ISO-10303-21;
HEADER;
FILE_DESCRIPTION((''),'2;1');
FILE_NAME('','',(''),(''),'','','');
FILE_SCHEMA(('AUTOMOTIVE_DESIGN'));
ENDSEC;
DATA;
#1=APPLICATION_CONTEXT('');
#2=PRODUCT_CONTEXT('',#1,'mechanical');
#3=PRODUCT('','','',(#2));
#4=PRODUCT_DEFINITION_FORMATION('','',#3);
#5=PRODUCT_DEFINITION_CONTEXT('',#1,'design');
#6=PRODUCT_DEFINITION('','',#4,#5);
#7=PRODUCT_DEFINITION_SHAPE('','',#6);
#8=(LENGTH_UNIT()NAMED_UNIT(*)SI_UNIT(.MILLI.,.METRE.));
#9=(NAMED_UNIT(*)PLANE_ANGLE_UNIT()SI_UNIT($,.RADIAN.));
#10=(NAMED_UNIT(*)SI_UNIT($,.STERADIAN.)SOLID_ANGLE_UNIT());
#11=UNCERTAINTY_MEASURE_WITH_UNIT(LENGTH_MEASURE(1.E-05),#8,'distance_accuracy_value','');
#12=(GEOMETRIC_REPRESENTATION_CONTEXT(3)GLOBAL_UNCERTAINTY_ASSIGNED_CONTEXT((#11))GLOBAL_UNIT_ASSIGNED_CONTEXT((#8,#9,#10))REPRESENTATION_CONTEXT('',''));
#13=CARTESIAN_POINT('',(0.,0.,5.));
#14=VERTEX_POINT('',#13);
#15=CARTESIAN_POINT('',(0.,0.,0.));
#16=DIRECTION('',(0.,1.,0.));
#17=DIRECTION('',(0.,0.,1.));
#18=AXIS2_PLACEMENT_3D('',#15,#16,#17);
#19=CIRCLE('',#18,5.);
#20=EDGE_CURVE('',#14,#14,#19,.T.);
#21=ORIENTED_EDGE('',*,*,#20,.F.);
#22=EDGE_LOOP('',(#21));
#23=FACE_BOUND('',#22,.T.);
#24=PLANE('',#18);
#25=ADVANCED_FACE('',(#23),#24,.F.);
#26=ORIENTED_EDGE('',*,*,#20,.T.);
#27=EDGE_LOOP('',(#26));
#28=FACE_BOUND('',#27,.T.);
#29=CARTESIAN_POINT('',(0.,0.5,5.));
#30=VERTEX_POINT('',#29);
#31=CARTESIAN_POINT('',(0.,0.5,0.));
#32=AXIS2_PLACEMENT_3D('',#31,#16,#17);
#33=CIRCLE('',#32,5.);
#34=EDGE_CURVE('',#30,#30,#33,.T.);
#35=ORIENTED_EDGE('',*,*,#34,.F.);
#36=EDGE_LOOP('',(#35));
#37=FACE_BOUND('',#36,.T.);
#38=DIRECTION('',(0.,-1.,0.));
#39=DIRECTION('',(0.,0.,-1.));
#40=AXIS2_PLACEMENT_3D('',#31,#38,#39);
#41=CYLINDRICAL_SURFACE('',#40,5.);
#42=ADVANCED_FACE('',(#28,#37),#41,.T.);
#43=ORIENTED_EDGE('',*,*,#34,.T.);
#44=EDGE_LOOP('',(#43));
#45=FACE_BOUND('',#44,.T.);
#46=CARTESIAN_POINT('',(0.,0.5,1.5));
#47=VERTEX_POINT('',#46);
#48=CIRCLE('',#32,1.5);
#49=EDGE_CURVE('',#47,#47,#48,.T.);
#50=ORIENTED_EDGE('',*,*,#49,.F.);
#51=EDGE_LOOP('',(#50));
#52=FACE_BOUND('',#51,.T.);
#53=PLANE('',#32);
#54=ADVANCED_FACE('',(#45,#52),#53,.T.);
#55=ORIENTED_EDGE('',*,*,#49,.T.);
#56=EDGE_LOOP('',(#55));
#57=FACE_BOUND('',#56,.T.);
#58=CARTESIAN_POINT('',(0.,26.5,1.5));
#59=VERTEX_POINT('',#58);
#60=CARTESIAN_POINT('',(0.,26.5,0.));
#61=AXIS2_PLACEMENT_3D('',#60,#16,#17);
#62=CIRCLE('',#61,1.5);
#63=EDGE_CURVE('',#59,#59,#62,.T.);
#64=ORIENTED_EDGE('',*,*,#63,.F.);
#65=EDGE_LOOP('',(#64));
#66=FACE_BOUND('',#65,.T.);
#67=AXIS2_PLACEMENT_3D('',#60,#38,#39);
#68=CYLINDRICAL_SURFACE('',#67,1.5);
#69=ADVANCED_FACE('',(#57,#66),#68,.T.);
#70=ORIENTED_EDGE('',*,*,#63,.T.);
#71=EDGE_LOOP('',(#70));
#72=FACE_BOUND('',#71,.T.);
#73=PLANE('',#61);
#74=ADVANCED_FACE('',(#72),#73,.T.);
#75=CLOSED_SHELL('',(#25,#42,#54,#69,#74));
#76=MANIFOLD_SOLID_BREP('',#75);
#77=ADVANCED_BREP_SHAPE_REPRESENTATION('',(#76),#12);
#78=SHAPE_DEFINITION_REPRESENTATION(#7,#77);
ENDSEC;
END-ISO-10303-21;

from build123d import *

# Parameters (mm, degrees)
SKETCH_1_R      = 5
EXTRUDE_1_DEPTH = 0.5
SKETCH_2_R      = 1.5
EXTRUDE_2_DEPTH = 26


with BuildPart() as part:
    # ｽｹｯﾁ1 → ﾎﾞｽ - 押し出し1 (new body)
    with BuildSketch(Plane(origin=(0, 0, 0), x_dir=(1, 0, 0), z_dir=(0, 1, 0))):
        with Locations(Location((0, 0, 0), (0, 0, 270))):
            Circle(SKETCH_1_R)
    extrude(amount=EXTRUDE_1_DEPTH)

    # ｽｹｯﾁ2 → ﾎﾞｽ - 押し出し2 (add)
    with BuildSketch(Plane(origin=(0, 0.5, 0), x_dir=(1, 0, 0), z_dir=(0, 1, 0))):
        with Locations(Location((0, 0, 0), (0, 0, 270))):
            Circle(SKETCH_2_R)
    extrude(amount=EXTRUDE_2_DEPTH)


solid = part.part
